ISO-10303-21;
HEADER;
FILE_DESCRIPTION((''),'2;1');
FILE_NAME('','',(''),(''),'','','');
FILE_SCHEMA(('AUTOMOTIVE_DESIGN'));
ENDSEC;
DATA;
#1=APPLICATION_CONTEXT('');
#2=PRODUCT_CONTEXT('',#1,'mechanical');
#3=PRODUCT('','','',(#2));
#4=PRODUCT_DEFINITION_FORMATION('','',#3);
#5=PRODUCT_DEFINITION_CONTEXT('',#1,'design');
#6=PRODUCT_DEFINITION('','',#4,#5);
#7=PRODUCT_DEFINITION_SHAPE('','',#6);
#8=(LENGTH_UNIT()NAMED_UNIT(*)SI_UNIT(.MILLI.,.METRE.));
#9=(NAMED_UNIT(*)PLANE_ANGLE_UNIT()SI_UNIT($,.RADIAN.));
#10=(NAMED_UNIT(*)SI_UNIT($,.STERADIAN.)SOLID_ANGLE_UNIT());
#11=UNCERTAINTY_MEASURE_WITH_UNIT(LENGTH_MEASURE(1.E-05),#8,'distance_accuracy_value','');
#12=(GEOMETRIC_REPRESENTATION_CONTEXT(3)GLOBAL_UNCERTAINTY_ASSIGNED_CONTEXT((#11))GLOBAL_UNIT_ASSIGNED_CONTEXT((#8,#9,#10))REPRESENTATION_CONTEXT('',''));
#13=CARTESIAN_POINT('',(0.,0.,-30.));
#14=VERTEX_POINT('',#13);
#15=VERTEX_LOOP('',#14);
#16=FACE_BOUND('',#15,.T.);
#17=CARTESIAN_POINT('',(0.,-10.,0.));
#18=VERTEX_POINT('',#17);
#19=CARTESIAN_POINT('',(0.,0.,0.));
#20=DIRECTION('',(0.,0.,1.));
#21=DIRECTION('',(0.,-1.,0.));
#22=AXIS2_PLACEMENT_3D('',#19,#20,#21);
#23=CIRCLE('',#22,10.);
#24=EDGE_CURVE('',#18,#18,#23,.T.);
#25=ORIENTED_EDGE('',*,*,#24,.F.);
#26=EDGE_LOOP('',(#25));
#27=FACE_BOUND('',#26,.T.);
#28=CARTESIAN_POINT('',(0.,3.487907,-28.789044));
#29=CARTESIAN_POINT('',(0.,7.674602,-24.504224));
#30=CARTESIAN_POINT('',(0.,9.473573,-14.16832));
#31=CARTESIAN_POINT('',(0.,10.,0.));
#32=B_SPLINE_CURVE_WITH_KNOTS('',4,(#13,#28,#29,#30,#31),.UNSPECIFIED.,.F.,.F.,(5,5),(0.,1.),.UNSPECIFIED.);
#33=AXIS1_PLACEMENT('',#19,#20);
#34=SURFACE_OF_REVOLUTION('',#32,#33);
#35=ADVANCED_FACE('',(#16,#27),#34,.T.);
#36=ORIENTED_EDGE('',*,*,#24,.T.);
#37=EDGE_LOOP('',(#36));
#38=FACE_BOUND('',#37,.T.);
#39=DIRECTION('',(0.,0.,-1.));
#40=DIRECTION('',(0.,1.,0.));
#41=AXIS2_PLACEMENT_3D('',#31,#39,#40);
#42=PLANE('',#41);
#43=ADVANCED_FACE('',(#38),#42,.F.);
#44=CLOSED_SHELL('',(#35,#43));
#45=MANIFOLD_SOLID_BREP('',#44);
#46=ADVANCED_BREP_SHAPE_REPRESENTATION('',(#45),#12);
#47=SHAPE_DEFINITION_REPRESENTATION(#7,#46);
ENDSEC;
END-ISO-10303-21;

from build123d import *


with BuildPart() as part:
    # Sketch3 → Revolve1 (revolve)
    with BuildSketch(Plane(origin=(0, 0, 0), x_dir=(0, 0, -1), z_dir=(1, 0, 0))):
        with BuildLine():
            Line((0, 10), (0, 0))
            Line((0, 0), (30, 0))
            add(Edge.make_bspline(
                [(0, 10), (14.168320177, 9.473572573), (24.504223595, 7.674602041), (28.789044316, 3.487906986), (30, 0)],
                knots=[0, 0, 0, 0, 0, 1, 1, 1, 1, 1], degree=4))
        make_face()
    revolve(axis=Axis((0, 0, 0), (0, 0, -1)))


solid = part.part
